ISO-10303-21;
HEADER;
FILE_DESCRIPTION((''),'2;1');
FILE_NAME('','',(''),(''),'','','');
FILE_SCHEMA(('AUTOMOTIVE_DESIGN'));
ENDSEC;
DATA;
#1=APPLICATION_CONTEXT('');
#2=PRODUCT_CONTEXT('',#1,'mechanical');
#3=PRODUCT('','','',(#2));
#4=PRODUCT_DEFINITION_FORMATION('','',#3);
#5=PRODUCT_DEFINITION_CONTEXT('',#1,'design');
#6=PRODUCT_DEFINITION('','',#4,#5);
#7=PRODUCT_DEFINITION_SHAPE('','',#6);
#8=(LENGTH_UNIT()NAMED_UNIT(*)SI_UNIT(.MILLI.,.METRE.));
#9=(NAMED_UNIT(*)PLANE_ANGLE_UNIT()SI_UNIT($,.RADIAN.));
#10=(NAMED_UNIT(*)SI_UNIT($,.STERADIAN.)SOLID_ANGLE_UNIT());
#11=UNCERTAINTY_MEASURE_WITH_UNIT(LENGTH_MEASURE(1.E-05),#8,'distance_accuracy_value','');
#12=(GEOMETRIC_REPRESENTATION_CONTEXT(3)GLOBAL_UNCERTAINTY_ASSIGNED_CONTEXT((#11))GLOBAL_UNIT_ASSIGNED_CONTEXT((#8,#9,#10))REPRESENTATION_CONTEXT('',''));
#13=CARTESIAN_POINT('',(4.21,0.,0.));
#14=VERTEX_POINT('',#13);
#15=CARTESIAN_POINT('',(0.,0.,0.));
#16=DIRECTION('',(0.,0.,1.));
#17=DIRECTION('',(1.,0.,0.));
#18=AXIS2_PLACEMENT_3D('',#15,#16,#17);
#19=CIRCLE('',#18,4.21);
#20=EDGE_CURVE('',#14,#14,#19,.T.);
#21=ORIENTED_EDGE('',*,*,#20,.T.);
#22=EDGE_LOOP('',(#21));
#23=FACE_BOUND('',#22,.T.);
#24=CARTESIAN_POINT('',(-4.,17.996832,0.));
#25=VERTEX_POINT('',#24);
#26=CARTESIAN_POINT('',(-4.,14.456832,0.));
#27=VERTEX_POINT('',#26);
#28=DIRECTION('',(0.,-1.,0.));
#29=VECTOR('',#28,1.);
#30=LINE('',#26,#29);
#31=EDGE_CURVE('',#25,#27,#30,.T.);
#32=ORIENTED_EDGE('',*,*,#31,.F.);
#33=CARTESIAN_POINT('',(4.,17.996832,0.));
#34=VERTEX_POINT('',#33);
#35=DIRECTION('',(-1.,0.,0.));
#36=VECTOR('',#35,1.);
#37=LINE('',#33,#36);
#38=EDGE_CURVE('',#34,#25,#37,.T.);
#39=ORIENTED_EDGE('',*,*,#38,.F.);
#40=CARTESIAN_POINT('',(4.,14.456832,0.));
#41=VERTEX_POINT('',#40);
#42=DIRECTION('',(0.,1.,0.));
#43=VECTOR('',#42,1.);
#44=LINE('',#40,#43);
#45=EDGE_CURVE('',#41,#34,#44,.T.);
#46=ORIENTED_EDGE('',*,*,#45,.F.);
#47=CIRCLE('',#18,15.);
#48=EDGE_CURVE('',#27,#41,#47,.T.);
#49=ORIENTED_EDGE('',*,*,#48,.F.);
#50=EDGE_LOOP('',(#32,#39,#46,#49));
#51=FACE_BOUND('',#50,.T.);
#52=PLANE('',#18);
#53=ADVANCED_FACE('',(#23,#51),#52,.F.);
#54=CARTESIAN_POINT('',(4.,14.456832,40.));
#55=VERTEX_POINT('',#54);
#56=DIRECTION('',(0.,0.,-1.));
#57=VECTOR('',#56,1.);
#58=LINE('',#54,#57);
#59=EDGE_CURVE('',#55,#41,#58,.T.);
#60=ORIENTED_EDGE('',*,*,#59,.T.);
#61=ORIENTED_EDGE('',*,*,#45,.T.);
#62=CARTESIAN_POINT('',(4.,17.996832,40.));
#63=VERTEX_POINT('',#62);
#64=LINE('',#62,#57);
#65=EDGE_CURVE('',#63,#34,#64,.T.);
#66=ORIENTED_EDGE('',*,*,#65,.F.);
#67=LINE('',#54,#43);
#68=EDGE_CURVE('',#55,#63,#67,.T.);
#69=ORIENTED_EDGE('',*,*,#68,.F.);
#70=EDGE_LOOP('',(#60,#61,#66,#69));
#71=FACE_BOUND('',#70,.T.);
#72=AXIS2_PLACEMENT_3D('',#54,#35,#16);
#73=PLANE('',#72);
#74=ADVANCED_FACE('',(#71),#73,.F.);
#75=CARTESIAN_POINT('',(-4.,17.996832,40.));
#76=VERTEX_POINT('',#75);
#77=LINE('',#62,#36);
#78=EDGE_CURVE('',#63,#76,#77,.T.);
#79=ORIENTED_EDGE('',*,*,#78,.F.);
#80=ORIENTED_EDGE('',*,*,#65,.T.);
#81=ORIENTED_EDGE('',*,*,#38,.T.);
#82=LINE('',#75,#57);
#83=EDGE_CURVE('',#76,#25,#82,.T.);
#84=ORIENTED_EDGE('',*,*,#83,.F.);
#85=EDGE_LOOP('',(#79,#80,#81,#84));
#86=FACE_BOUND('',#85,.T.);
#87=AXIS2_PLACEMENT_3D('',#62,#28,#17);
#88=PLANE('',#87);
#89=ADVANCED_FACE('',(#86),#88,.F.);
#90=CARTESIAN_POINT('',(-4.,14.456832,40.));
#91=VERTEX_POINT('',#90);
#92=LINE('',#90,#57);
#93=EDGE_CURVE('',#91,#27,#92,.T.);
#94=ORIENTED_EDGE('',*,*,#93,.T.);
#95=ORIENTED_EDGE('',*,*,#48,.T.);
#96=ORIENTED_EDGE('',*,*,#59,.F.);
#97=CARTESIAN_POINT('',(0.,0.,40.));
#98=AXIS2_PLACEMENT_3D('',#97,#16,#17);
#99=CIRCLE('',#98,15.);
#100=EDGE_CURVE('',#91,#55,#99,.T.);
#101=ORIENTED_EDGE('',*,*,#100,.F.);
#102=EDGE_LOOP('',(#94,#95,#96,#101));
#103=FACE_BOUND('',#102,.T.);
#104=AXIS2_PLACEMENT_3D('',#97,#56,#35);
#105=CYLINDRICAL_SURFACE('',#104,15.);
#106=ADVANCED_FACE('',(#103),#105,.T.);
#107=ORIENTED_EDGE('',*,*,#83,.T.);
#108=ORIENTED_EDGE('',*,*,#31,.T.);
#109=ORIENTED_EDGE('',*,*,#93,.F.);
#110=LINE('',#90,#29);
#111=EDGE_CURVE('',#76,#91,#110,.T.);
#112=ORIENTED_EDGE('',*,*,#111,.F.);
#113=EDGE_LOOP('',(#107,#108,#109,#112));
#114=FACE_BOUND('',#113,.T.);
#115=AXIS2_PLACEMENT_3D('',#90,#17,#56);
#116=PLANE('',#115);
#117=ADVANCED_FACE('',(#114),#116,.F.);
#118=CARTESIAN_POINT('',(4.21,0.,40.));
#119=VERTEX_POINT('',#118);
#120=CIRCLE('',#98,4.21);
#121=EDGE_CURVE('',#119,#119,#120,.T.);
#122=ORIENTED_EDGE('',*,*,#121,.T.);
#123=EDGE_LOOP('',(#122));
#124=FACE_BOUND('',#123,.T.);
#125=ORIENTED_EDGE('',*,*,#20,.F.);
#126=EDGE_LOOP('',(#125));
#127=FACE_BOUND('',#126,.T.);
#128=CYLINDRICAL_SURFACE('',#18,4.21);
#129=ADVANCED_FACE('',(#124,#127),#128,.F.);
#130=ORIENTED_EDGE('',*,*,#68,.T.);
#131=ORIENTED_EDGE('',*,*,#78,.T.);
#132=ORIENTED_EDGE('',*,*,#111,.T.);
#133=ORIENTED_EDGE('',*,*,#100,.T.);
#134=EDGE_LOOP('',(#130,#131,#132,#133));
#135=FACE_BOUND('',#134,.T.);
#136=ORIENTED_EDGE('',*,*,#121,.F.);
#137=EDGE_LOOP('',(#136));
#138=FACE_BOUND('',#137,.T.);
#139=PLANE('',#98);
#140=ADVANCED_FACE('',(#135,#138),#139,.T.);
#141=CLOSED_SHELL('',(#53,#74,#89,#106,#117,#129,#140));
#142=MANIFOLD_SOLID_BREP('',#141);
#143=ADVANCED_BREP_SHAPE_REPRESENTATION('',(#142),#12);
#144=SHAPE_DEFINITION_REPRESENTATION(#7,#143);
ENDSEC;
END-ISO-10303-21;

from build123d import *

# Parameters (mm, degrees)
BOSS_EXTRUDE1_DEPTH = 40
SKETCH2_R           = 4.21
CUT_EXTRUDE1_DEPTH  = 40


with BuildPart() as part:
    # Sketch1 → Boss-Extrude1 (new body)
    with BuildSketch(Plane.XY):
        with BuildLine():
            Line((4, 17.996832295), (-4, 17.996832295))
            Line((-4, 17.996832295), (-4, 14.456832295))
            ThreePointArc((-4, 14.456832295), (0, -15), (4, 14.456832295))
            Line((4, 14.456832295), (4, 17.996832295))
        make_face()
    extrude(amount=BOSS_EXTRUDE1_DEPTH)

    # Sketch2 → Cut-Extrude1 (cut)
    with BuildSketch(Plane.XY.offset(40)):
        Circle(SKETCH2_R)
    extrude(amount=-CUT_EXTRUDE1_DEPTH, mode=Mode.SUBTRACT)


solid = part.part
